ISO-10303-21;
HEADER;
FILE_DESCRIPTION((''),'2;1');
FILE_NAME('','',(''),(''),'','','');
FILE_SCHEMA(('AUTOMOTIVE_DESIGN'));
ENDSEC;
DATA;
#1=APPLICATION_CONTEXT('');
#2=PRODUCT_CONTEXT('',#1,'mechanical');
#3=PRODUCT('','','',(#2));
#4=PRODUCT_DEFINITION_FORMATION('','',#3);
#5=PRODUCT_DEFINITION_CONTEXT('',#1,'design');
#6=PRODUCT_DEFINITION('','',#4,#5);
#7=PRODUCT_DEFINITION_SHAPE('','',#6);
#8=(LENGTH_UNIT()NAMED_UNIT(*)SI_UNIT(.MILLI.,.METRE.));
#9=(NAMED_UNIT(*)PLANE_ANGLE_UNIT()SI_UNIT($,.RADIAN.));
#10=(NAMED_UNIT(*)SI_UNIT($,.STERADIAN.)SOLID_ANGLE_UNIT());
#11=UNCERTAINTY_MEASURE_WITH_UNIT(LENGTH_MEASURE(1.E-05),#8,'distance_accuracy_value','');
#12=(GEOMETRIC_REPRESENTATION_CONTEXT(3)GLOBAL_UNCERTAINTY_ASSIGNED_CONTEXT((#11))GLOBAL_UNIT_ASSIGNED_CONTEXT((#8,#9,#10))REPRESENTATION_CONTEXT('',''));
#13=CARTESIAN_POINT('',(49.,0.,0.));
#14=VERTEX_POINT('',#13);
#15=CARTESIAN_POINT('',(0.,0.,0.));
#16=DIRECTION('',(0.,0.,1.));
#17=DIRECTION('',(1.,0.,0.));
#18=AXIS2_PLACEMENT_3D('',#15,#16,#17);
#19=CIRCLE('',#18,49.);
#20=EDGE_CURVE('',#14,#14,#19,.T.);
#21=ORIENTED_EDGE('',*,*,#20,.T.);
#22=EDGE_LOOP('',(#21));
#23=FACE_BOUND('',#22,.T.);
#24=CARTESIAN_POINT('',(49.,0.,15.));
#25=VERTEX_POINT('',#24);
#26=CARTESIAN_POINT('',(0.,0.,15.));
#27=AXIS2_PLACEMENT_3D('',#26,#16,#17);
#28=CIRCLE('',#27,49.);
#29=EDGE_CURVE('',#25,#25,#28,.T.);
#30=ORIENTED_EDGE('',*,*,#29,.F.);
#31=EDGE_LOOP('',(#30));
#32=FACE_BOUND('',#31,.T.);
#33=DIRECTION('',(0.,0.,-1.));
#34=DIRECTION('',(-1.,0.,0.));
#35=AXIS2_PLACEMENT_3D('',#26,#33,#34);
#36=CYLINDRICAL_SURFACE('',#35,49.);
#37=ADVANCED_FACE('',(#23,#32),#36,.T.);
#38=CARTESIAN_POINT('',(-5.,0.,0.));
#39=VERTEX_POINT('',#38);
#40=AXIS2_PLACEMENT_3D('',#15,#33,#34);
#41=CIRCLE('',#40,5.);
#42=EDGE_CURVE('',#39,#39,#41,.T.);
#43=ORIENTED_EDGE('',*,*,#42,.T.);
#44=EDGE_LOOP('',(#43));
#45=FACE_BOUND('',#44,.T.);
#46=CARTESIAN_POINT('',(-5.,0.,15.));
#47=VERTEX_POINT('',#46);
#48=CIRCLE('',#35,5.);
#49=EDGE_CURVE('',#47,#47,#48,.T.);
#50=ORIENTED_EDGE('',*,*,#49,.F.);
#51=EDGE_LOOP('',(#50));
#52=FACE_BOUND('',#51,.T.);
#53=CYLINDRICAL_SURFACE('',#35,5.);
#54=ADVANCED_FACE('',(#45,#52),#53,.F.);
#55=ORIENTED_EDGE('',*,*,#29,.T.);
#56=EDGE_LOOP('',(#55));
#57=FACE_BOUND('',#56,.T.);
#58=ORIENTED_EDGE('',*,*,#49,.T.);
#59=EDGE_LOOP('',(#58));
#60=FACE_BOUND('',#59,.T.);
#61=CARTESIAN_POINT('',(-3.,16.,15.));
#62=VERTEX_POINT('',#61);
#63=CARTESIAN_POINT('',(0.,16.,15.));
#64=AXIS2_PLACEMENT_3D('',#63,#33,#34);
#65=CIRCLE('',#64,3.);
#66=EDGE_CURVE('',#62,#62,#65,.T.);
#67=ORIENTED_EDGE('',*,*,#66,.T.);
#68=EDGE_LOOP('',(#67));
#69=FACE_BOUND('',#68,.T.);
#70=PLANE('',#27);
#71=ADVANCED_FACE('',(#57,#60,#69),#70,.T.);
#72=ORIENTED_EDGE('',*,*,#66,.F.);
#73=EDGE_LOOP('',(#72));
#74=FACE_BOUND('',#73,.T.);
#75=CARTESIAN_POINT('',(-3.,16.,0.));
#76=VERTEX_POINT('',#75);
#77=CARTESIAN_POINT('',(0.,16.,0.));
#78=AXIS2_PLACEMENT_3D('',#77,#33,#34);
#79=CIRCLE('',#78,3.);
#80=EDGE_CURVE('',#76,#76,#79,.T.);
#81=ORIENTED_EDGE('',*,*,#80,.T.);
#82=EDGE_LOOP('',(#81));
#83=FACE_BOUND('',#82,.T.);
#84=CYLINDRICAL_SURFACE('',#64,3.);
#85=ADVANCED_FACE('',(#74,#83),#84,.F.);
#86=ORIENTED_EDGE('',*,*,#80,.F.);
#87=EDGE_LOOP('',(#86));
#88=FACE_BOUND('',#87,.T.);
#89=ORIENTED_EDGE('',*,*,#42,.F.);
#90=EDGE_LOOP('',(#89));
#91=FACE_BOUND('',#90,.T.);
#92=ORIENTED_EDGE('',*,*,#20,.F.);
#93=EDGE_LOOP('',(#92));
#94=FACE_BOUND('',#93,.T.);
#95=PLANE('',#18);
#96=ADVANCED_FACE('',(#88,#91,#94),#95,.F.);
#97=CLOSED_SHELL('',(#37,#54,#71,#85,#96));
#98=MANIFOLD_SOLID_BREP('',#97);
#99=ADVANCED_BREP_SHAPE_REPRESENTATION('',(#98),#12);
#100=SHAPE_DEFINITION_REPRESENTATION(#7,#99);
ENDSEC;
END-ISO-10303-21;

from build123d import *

# Parameters (mm, degrees)
ESQUISSE1_R             = 49
BOSS_EXTRU_1_DEPTH      = 15
ESQUISSE2_R             = 5
ESQUISSE2_R_2           = 3
ENL_V_MAT_EXTRU_1_DEPTH = 71.901339903


with BuildPart() as part:
    # Esquisse1 → Boss.-Extru.1 (new body)
    with BuildSketch(Plane.XY):
        Circle(ESQUISSE1_R)
    extrude(amount=BOSS_EXTRU_1_DEPTH)

    # Esquisse2 → Enlèv. mat.-Extru.1 (cut, through all)
    with BuildSketch(Plane(origin=(0, 0, 0), x_dir=(-1, 0, 0), z_dir=(0, 0, -1))):
        Circle(ESQUISSE2_R)
        with Locations((0, 16)):
            Circle(ESQUISSE2_R_2)
    extrude(amount=-ENL_V_MAT_EXTRU_1_DEPTH, mode=Mode.SUBTRACT)


solid = part.part
